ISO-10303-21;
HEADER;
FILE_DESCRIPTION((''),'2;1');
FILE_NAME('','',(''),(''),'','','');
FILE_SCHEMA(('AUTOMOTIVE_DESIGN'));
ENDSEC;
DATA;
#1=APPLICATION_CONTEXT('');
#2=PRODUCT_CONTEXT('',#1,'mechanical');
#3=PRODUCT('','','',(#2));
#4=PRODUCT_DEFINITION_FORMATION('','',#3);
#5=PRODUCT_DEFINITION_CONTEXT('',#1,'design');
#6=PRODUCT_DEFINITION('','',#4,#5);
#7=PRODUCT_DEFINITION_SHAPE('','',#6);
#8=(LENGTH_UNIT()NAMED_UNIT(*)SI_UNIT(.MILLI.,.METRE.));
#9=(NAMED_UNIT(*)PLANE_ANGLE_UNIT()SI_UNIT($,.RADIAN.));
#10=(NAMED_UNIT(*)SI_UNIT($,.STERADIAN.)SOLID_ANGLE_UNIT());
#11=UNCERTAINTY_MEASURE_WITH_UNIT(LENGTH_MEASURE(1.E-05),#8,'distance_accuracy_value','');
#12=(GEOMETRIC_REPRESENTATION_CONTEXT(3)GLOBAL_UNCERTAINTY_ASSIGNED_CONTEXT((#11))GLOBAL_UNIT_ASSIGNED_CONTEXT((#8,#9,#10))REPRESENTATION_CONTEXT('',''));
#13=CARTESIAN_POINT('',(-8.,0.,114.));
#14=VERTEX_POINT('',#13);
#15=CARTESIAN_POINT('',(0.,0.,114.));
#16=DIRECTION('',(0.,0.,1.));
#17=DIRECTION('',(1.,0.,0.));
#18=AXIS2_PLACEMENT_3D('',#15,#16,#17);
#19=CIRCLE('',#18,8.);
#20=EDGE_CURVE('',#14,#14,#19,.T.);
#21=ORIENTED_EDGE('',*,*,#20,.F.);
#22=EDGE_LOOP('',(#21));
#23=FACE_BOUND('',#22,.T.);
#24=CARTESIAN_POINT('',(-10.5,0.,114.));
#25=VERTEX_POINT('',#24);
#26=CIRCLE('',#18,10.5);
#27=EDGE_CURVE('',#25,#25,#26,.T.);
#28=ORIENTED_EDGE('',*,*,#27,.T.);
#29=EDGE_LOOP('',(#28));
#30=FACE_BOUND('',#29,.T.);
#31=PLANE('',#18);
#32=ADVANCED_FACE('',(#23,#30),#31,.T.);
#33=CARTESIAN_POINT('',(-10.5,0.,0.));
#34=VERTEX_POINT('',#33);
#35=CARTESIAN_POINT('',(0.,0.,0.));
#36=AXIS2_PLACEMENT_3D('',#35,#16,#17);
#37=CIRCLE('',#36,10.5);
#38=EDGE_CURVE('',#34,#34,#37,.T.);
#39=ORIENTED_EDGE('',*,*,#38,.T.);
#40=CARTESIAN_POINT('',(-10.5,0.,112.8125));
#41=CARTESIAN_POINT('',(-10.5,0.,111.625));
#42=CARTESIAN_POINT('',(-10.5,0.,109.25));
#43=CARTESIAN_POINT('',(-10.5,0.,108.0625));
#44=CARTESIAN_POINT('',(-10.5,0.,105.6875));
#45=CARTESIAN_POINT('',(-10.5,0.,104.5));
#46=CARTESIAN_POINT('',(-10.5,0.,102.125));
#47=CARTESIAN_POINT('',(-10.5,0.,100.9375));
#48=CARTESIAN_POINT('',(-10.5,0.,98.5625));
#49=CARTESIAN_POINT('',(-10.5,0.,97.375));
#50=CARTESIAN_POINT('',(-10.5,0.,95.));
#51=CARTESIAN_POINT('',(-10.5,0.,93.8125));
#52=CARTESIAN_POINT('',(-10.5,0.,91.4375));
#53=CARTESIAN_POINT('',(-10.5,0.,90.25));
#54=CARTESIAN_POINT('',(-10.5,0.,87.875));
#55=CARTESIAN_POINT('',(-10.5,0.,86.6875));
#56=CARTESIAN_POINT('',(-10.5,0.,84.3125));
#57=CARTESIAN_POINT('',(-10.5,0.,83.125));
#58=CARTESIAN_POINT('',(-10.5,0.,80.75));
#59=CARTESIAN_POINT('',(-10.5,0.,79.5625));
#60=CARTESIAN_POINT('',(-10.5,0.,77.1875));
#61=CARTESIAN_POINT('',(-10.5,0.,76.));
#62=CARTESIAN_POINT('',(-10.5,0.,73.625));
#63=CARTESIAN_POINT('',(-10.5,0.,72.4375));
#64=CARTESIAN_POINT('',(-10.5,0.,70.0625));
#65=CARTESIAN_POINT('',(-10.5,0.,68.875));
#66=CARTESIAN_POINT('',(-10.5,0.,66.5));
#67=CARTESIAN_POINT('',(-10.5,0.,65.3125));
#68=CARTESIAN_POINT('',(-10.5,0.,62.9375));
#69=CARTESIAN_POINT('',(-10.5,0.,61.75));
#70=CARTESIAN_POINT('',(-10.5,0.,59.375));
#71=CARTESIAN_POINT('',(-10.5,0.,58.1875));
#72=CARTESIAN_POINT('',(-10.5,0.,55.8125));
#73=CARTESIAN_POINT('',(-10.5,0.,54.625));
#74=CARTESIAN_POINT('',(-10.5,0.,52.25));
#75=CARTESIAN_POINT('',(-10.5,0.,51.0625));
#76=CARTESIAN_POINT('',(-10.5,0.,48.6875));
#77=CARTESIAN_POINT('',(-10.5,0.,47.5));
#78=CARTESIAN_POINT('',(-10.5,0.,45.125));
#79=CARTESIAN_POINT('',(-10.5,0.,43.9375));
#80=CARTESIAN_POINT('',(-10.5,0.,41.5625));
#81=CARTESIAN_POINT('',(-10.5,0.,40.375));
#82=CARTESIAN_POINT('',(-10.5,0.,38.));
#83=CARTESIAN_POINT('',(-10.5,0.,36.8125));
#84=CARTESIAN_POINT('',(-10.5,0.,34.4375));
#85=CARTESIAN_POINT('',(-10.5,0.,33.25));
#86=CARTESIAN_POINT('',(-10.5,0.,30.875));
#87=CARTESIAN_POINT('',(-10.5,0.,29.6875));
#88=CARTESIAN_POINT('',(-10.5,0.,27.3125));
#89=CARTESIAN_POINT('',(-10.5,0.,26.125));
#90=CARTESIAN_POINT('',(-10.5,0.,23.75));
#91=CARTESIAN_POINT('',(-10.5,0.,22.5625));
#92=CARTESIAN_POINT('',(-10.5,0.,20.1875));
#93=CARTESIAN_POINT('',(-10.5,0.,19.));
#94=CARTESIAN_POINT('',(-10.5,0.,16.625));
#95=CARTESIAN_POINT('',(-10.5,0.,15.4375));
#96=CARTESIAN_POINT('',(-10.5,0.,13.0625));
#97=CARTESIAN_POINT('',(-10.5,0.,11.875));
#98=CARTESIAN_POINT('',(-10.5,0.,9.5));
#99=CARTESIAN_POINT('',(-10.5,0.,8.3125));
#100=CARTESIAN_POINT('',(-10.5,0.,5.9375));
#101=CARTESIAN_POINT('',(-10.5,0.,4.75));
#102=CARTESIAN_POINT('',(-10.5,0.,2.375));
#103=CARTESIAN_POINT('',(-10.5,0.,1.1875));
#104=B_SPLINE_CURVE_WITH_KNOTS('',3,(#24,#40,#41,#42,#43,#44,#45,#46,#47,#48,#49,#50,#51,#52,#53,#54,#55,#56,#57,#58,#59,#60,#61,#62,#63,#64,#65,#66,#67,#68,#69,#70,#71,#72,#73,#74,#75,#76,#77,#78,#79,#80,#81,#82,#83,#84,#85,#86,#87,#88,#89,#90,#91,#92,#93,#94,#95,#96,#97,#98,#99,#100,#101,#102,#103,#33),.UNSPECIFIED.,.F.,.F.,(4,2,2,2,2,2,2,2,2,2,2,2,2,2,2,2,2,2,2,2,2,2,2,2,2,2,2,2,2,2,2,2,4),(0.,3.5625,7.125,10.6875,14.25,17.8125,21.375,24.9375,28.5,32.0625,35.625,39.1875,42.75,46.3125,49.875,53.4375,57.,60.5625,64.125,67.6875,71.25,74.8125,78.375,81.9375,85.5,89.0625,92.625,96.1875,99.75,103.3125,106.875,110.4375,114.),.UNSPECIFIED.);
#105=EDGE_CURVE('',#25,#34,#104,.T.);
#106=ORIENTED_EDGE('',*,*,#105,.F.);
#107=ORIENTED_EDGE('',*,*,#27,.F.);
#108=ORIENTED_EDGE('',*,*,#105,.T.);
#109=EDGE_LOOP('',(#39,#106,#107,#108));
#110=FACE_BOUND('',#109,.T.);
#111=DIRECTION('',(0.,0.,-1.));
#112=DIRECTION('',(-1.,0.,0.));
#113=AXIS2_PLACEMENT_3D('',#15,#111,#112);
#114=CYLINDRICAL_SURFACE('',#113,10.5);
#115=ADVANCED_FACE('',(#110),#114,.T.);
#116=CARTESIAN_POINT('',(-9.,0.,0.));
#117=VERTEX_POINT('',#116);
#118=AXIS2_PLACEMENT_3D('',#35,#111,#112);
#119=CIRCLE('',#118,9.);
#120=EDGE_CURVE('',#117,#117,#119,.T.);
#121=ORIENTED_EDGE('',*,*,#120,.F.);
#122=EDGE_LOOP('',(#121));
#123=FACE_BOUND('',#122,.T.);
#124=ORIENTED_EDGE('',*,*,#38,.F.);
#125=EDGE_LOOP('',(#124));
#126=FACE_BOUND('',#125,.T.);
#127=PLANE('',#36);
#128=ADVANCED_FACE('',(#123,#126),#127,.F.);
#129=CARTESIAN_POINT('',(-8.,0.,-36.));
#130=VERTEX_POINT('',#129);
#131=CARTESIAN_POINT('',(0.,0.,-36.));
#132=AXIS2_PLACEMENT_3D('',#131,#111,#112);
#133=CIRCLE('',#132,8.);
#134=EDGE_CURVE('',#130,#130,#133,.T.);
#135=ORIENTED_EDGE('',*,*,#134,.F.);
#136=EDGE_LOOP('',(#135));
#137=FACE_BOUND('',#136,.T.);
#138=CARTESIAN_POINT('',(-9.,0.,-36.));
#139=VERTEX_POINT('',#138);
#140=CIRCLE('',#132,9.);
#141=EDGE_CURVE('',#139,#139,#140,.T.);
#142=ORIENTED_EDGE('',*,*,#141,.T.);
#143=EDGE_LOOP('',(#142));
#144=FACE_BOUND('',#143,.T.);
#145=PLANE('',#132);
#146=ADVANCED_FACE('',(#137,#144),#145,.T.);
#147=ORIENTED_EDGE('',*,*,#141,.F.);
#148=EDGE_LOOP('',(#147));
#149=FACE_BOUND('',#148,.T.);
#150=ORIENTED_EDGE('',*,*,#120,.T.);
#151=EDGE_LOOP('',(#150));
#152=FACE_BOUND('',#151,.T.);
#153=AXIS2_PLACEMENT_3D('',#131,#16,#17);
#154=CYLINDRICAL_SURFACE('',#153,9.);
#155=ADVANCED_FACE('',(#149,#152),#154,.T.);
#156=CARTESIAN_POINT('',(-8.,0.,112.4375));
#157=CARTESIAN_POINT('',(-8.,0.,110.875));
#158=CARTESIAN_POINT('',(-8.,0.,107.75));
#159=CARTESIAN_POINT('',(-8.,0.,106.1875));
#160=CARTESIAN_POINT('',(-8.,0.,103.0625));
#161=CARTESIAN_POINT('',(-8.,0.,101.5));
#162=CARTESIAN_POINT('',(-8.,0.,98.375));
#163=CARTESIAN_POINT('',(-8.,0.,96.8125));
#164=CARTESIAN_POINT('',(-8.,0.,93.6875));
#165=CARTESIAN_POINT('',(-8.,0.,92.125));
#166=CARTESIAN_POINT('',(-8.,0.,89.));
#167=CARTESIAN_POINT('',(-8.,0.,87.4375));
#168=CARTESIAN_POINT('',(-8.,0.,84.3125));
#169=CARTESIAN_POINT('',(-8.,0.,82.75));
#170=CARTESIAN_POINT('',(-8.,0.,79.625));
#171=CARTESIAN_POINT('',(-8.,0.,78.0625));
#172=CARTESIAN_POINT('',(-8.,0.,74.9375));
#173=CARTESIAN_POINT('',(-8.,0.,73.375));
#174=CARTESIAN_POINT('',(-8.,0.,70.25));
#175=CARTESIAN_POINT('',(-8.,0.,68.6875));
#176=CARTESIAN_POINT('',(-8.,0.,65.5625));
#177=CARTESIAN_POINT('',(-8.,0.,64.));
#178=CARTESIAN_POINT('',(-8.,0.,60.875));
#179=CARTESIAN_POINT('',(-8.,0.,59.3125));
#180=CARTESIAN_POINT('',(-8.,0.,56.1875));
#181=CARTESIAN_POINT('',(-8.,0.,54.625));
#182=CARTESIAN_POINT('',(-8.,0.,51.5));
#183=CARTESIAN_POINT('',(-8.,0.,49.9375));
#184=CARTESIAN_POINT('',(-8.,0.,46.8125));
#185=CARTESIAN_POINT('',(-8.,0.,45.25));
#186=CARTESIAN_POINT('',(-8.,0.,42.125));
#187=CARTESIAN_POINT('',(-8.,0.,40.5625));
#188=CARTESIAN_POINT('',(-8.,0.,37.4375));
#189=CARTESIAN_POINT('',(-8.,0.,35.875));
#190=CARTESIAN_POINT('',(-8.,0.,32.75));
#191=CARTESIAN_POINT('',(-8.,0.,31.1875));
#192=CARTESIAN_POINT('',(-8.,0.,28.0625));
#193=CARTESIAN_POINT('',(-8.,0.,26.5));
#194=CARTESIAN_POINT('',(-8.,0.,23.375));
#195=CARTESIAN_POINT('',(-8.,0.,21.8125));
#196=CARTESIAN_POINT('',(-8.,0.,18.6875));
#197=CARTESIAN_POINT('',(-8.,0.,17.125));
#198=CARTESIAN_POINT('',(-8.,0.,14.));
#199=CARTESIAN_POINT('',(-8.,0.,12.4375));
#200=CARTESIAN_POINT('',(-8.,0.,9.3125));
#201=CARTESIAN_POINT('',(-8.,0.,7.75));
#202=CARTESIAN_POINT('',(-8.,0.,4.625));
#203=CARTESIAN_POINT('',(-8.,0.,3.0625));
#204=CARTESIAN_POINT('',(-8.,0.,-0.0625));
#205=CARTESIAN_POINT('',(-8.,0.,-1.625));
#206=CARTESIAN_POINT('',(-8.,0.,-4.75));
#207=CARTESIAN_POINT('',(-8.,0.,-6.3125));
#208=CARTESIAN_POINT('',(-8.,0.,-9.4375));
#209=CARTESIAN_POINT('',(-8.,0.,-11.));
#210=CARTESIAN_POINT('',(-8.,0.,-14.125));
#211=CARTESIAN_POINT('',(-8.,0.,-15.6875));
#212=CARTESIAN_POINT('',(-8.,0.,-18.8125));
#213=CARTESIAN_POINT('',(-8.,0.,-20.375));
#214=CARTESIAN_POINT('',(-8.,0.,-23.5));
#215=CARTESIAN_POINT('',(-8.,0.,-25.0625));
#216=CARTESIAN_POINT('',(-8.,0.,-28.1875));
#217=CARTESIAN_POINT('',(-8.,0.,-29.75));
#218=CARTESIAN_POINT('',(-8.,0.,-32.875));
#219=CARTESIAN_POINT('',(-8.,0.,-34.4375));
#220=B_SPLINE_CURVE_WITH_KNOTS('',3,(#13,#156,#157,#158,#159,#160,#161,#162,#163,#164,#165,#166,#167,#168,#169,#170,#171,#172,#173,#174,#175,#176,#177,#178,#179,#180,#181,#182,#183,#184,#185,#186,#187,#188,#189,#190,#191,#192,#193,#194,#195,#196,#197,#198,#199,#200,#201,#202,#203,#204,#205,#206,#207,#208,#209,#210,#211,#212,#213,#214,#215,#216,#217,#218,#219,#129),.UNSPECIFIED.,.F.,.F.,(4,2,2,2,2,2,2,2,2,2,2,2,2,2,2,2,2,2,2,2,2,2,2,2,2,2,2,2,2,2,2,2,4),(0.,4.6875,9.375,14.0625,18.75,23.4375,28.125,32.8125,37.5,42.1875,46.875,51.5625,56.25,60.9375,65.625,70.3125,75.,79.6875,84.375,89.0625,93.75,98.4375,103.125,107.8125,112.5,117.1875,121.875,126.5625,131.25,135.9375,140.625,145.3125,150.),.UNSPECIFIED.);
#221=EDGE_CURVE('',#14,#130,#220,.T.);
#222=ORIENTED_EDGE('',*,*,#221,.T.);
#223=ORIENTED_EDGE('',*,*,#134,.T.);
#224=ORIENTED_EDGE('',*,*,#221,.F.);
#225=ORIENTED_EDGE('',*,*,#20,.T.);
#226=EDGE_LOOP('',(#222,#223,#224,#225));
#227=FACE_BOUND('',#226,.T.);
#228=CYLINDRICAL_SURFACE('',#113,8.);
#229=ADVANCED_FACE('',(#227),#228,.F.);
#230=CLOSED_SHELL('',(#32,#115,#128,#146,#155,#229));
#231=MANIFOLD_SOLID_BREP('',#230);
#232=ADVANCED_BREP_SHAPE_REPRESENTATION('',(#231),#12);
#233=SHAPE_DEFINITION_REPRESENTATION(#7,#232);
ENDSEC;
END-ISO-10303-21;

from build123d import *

# Parameters (mm, degrees)
SKETCH2_R           = 10.5
SKETCH2_R_2         = 8
BOSS_EXTRUDE1_DEPTH = 114
BOSS_EXTRUDE2_START = 36
SKETCH4_R           = 9
SKETCH4_R_2         = 8
BOSS_EXTRUDE2_DEPTH = 36


with BuildPart() as part:
    # Sketch2 → Boss-Extrude1 (new body)
    with BuildSketch(Plane.XY):
        with Locations(Location((0, 0, 0), (0, 0, 180))):
            Circle(SKETCH2_R)
        with Locations(Location((0, 0, 0), (0, 0, 180))):
            Circle(SKETCH2_R_2, mode=Mode.SUBTRACT)
    extrude(amount=BOSS_EXTRUDE1_DEPTH)

    # Sketch4 → Boss-Extrude2 (add)
    with BuildSketch(Plane(origin=(0, 0, 0), x_dir=(-1, 0, 0), z_dir=(0, 0, -1)).offset(BOSS_EXTRUDE2_START)):
        Circle(SKETCH4_R)
        Circle(SKETCH4_R_2, mode=Mode.SUBTRACT)
    extrude(amount=-BOSS_EXTRUDE2_DEPTH)


solid = part.part
